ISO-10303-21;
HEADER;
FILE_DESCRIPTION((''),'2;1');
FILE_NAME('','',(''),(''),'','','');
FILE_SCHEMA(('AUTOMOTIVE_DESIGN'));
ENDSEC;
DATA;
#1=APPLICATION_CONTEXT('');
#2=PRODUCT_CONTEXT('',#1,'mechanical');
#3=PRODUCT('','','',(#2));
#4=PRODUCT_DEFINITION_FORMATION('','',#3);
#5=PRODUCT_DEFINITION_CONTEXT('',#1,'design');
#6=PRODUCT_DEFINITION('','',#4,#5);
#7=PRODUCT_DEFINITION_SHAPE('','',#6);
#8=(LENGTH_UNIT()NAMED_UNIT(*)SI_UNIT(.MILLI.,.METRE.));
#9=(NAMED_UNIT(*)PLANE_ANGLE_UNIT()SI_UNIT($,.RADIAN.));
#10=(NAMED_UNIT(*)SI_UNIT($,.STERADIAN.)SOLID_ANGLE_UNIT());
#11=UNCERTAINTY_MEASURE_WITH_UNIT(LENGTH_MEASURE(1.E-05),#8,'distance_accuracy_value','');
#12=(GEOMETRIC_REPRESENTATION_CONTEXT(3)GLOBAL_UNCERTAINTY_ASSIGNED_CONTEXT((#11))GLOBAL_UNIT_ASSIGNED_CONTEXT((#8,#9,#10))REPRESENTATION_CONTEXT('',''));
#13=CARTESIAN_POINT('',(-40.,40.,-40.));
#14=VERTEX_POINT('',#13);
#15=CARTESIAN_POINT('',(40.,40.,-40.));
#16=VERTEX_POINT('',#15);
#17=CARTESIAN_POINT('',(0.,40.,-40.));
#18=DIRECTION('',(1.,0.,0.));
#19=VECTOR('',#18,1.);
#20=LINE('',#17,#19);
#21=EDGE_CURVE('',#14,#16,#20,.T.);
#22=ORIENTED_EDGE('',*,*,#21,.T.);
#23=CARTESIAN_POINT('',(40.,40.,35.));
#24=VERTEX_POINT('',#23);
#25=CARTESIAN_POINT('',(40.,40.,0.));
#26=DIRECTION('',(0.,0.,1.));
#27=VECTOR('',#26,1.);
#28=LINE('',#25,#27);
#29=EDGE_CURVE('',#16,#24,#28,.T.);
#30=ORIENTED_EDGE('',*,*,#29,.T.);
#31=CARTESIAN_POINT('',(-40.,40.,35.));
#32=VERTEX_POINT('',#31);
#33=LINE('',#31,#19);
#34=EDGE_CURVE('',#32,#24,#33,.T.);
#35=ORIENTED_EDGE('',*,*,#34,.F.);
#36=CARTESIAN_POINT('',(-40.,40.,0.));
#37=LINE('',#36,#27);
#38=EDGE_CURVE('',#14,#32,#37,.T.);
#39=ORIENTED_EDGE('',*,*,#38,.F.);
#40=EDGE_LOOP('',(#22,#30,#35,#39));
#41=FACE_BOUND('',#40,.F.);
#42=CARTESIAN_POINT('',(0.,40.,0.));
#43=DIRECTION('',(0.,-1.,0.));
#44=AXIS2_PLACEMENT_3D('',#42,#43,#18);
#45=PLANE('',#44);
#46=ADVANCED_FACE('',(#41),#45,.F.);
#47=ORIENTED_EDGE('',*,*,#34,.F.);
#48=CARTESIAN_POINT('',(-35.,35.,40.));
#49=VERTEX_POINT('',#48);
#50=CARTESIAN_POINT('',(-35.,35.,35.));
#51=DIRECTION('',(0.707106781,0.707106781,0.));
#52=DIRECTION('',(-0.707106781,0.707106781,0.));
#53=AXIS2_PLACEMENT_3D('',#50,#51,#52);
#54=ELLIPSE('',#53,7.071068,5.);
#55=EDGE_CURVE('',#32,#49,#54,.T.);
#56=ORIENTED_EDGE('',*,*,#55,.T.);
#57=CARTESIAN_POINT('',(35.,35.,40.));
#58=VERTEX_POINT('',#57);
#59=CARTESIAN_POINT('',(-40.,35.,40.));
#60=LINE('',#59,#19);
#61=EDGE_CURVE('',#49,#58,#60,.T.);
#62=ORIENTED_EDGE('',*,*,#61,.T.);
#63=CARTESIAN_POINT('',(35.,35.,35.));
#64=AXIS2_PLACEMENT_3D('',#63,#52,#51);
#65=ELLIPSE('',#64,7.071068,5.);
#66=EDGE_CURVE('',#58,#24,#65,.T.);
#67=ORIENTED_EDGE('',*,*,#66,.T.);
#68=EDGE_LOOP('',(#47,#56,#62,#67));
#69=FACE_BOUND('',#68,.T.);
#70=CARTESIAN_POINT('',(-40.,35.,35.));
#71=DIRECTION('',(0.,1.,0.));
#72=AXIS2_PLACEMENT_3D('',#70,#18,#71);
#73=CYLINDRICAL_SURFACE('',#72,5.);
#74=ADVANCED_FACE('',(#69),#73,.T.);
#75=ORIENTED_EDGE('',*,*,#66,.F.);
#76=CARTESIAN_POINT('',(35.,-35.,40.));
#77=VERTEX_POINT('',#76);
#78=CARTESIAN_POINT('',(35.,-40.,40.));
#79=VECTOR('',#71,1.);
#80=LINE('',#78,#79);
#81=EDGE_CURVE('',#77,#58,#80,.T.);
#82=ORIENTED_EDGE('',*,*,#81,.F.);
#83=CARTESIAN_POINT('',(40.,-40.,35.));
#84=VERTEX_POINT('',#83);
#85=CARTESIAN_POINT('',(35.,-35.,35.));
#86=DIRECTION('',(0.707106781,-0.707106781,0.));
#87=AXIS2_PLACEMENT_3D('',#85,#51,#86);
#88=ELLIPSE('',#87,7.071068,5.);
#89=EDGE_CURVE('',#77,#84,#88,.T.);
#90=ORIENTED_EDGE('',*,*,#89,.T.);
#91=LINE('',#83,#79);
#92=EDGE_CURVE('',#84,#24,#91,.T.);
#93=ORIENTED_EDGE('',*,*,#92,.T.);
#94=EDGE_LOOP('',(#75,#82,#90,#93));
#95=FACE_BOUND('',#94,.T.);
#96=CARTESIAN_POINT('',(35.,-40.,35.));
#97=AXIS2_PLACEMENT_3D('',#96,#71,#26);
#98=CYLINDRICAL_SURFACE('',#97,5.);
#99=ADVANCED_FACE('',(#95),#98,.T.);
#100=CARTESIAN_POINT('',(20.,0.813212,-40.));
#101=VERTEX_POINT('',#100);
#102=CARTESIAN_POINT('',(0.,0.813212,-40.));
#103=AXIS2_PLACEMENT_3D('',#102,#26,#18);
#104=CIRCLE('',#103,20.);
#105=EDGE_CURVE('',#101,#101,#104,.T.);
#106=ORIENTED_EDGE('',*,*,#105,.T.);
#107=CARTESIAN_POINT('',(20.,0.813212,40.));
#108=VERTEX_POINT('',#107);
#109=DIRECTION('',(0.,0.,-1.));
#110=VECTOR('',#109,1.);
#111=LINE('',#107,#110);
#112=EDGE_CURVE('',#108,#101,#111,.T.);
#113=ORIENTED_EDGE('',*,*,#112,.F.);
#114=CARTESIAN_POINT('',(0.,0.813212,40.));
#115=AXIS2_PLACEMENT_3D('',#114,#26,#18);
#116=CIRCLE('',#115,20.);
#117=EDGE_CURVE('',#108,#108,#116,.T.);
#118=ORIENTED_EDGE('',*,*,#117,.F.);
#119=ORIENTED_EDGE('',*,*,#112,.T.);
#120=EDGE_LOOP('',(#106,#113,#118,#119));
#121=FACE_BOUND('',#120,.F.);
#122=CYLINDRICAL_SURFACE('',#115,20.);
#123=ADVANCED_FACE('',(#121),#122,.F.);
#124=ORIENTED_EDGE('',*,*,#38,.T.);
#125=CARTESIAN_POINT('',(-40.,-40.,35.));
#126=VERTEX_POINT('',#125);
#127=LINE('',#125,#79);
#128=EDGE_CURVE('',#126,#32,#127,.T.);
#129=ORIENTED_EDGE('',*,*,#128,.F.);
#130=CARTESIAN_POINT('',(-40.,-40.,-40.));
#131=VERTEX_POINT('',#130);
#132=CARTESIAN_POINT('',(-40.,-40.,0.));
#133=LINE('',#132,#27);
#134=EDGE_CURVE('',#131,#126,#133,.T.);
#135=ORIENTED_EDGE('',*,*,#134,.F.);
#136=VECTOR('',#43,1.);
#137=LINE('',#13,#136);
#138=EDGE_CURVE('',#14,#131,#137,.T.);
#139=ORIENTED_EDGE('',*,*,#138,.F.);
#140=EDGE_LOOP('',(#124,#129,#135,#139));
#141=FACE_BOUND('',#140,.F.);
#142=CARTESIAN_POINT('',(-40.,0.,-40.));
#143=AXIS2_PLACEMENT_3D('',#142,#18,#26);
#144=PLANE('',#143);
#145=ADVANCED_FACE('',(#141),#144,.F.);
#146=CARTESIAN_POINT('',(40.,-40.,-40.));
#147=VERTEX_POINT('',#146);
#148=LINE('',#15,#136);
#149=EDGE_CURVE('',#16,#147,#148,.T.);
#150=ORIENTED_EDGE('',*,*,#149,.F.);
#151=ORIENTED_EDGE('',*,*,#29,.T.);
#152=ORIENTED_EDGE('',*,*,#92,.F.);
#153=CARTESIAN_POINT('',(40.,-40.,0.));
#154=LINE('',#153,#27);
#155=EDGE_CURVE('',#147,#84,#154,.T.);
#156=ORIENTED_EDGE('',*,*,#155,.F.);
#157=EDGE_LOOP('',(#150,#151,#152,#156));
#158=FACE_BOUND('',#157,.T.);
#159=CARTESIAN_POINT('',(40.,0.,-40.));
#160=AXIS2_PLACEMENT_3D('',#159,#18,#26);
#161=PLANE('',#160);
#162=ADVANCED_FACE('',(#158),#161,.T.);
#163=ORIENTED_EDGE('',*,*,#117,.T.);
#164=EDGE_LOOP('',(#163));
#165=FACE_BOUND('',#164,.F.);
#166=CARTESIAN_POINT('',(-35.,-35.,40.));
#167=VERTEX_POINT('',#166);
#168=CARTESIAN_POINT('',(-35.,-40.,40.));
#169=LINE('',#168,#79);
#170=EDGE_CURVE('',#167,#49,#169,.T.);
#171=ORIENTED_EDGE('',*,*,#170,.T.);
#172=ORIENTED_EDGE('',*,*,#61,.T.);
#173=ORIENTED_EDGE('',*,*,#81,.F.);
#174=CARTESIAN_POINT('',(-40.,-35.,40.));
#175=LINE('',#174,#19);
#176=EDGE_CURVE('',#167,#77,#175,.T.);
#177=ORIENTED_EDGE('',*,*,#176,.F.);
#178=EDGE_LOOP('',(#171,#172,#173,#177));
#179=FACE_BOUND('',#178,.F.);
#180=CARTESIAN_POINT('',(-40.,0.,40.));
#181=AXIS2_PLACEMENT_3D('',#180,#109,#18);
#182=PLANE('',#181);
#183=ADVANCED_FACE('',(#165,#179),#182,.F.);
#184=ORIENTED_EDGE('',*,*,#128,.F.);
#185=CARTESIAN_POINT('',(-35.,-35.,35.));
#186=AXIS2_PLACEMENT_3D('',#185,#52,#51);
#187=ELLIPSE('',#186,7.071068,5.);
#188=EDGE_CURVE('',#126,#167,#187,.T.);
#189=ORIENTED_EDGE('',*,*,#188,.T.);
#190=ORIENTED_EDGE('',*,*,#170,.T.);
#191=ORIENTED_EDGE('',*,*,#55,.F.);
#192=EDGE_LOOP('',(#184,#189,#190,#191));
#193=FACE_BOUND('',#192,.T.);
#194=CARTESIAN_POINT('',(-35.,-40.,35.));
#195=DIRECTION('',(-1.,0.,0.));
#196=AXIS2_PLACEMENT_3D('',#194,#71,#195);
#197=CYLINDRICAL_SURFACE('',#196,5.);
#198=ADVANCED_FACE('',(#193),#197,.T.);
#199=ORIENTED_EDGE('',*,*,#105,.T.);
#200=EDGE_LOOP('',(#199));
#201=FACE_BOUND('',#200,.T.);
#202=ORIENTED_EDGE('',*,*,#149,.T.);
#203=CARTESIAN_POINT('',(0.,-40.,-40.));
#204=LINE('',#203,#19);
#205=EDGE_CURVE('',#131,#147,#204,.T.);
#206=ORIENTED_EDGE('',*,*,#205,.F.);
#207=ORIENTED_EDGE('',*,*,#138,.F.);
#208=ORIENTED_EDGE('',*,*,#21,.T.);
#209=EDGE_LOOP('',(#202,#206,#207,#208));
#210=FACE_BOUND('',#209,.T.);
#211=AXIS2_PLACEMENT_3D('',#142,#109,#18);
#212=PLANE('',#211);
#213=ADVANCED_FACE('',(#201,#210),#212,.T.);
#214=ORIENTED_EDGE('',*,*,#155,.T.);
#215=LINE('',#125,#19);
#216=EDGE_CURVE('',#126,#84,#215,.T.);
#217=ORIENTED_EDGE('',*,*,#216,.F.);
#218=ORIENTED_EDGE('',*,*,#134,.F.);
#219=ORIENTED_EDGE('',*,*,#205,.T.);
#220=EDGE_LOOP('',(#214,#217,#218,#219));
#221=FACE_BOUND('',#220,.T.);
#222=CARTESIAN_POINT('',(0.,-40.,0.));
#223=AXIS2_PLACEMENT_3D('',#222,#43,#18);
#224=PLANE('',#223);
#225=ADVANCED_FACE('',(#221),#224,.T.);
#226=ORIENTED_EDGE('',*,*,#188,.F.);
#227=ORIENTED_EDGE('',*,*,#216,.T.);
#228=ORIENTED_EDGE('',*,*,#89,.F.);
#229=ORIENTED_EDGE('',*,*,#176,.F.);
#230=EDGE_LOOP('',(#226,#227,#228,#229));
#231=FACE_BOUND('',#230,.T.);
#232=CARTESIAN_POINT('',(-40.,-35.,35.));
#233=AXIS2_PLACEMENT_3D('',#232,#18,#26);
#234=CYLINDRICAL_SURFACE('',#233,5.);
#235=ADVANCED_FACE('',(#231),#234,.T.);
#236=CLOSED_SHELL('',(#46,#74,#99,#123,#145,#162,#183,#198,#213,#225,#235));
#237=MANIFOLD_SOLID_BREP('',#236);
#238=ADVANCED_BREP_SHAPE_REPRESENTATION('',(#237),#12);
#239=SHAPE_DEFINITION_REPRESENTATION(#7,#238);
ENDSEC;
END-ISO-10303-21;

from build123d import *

# Parameters (mm, degrees)
F0_W     = 80
F0_H     = 80
F1_DEPTH = 40
F2_R     = 20
F3_DEPTH = 80.001
F4_R     = 5


with BuildPart() as f1:
    # F0 (on Front) → F1 (new body, symmetric)
    with BuildSketch(Plane.XZ):
        Rectangle(F0_W, F0_H)
    extrude(amount=F1_DEPTH, both=True)

    # F2 (on face) → F3 (cut, through all)
    with BuildSketch(Plane.XY.offset(40)):
        with Locations((0, 0.813212)):
            Circle(F2_R)
    extrude(amount=-F3_DEPTH, mode=Mode.SUBTRACT)

    # F4
    f4_edges = [f1.edges().sort_by_distance(p)[0] for p in [
        (-40, 0, 40),
        (0, -40, 40),
        (40, 0, 40),
        (0, 40, 40),
    ]]
    fillet(f4_edges, radius=F4_R)


solid = f1.part
